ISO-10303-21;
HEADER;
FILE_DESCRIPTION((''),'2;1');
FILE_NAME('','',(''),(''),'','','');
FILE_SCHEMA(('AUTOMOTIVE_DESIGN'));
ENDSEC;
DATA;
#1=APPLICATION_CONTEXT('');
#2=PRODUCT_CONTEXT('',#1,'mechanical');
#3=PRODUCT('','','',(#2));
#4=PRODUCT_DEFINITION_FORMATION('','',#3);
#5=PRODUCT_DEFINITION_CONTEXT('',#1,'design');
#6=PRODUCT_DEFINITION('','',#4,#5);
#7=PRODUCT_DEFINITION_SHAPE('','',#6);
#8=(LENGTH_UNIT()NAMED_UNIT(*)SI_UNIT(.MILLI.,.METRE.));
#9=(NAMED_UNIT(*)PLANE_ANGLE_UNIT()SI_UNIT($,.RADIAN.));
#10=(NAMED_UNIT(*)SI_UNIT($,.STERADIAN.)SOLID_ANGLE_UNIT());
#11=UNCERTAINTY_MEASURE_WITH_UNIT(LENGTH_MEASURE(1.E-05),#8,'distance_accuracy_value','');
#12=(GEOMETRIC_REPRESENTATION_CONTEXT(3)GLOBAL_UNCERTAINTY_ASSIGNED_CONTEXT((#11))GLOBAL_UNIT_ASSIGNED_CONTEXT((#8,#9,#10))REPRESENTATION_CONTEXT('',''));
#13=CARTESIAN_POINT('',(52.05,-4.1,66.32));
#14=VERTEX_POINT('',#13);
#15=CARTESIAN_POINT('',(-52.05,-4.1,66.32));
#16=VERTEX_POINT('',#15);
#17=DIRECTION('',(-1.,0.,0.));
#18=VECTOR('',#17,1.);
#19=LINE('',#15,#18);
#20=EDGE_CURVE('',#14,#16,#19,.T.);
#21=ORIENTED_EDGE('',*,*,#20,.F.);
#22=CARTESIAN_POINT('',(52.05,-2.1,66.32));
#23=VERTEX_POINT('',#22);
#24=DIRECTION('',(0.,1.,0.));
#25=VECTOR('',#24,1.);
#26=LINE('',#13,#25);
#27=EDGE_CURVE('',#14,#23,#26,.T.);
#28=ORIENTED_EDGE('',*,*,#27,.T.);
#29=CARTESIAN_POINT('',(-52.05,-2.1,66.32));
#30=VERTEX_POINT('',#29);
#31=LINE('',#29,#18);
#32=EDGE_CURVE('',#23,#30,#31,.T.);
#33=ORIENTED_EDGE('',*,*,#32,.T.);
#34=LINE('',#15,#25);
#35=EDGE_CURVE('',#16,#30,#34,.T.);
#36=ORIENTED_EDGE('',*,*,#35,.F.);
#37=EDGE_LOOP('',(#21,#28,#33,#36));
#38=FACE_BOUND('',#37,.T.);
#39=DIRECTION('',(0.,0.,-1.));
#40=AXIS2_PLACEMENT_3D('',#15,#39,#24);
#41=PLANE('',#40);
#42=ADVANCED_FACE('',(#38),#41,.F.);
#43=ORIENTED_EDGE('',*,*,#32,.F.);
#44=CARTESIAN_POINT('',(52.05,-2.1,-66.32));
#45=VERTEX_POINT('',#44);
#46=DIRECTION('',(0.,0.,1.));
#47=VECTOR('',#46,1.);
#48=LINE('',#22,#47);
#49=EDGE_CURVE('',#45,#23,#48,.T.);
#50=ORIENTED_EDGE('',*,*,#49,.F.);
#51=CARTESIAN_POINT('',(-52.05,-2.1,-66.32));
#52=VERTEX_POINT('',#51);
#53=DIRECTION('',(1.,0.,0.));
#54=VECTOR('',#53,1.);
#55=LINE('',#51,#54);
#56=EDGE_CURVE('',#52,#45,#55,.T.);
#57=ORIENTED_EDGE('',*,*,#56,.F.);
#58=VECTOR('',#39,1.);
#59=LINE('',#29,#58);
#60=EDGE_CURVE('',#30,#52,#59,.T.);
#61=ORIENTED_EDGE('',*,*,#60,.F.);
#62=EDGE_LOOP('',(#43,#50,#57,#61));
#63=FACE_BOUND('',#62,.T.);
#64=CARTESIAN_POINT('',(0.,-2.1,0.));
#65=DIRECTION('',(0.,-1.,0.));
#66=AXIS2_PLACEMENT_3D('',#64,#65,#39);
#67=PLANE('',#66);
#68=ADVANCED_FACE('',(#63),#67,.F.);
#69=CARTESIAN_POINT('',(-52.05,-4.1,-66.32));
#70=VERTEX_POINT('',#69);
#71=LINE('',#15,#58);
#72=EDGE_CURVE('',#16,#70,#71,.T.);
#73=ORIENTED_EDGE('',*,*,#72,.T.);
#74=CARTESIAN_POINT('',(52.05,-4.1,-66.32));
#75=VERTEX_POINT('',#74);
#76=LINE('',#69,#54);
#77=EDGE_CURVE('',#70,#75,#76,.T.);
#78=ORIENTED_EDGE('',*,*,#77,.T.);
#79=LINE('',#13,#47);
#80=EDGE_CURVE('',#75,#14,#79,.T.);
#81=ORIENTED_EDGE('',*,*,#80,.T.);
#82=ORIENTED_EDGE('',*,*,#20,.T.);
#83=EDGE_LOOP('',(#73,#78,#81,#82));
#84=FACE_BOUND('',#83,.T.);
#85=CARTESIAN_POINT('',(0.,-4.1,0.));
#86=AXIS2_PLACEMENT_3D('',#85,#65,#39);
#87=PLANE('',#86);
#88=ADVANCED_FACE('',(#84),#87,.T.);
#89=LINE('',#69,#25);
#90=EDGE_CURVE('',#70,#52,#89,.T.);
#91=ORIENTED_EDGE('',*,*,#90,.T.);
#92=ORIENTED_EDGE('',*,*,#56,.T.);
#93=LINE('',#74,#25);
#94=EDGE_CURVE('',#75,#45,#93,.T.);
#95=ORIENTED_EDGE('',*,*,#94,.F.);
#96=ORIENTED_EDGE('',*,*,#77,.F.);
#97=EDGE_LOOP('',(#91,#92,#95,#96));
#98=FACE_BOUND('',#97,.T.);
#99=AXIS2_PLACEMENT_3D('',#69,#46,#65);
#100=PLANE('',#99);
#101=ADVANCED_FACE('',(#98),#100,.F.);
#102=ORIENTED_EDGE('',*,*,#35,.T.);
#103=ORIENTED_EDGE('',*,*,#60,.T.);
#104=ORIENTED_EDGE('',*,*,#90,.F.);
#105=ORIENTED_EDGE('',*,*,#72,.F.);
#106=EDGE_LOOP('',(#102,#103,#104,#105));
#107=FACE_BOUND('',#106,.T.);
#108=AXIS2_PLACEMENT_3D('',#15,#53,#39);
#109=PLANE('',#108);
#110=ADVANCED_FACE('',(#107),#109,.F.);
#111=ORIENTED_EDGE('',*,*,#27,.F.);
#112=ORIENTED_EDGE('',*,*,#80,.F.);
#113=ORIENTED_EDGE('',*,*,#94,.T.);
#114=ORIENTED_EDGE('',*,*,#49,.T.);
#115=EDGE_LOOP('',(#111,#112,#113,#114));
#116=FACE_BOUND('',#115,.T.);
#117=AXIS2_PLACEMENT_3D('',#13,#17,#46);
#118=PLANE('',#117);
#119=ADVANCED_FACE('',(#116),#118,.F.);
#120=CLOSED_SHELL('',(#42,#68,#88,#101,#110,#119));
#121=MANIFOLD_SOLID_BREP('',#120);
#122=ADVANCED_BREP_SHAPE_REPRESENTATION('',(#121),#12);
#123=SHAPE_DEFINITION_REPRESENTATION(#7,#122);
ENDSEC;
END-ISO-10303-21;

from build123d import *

# Parameters (mm, degrees)
SKETCH1_W           = 104.1
SKETCH1_H           = 132.64
BOSS_EXTRUDE1_DEPTH = 2


with BuildPart() as part:
    # Sketch1 → Boss-Extrude1 (new body)
    with BuildSketch(Plane.XZ.offset(2.1)):
        Rectangle(SKETCH1_W, SKETCH1_H)
    extrude(amount=BOSS_EXTRUDE1_DEPTH)


solid = part.part
